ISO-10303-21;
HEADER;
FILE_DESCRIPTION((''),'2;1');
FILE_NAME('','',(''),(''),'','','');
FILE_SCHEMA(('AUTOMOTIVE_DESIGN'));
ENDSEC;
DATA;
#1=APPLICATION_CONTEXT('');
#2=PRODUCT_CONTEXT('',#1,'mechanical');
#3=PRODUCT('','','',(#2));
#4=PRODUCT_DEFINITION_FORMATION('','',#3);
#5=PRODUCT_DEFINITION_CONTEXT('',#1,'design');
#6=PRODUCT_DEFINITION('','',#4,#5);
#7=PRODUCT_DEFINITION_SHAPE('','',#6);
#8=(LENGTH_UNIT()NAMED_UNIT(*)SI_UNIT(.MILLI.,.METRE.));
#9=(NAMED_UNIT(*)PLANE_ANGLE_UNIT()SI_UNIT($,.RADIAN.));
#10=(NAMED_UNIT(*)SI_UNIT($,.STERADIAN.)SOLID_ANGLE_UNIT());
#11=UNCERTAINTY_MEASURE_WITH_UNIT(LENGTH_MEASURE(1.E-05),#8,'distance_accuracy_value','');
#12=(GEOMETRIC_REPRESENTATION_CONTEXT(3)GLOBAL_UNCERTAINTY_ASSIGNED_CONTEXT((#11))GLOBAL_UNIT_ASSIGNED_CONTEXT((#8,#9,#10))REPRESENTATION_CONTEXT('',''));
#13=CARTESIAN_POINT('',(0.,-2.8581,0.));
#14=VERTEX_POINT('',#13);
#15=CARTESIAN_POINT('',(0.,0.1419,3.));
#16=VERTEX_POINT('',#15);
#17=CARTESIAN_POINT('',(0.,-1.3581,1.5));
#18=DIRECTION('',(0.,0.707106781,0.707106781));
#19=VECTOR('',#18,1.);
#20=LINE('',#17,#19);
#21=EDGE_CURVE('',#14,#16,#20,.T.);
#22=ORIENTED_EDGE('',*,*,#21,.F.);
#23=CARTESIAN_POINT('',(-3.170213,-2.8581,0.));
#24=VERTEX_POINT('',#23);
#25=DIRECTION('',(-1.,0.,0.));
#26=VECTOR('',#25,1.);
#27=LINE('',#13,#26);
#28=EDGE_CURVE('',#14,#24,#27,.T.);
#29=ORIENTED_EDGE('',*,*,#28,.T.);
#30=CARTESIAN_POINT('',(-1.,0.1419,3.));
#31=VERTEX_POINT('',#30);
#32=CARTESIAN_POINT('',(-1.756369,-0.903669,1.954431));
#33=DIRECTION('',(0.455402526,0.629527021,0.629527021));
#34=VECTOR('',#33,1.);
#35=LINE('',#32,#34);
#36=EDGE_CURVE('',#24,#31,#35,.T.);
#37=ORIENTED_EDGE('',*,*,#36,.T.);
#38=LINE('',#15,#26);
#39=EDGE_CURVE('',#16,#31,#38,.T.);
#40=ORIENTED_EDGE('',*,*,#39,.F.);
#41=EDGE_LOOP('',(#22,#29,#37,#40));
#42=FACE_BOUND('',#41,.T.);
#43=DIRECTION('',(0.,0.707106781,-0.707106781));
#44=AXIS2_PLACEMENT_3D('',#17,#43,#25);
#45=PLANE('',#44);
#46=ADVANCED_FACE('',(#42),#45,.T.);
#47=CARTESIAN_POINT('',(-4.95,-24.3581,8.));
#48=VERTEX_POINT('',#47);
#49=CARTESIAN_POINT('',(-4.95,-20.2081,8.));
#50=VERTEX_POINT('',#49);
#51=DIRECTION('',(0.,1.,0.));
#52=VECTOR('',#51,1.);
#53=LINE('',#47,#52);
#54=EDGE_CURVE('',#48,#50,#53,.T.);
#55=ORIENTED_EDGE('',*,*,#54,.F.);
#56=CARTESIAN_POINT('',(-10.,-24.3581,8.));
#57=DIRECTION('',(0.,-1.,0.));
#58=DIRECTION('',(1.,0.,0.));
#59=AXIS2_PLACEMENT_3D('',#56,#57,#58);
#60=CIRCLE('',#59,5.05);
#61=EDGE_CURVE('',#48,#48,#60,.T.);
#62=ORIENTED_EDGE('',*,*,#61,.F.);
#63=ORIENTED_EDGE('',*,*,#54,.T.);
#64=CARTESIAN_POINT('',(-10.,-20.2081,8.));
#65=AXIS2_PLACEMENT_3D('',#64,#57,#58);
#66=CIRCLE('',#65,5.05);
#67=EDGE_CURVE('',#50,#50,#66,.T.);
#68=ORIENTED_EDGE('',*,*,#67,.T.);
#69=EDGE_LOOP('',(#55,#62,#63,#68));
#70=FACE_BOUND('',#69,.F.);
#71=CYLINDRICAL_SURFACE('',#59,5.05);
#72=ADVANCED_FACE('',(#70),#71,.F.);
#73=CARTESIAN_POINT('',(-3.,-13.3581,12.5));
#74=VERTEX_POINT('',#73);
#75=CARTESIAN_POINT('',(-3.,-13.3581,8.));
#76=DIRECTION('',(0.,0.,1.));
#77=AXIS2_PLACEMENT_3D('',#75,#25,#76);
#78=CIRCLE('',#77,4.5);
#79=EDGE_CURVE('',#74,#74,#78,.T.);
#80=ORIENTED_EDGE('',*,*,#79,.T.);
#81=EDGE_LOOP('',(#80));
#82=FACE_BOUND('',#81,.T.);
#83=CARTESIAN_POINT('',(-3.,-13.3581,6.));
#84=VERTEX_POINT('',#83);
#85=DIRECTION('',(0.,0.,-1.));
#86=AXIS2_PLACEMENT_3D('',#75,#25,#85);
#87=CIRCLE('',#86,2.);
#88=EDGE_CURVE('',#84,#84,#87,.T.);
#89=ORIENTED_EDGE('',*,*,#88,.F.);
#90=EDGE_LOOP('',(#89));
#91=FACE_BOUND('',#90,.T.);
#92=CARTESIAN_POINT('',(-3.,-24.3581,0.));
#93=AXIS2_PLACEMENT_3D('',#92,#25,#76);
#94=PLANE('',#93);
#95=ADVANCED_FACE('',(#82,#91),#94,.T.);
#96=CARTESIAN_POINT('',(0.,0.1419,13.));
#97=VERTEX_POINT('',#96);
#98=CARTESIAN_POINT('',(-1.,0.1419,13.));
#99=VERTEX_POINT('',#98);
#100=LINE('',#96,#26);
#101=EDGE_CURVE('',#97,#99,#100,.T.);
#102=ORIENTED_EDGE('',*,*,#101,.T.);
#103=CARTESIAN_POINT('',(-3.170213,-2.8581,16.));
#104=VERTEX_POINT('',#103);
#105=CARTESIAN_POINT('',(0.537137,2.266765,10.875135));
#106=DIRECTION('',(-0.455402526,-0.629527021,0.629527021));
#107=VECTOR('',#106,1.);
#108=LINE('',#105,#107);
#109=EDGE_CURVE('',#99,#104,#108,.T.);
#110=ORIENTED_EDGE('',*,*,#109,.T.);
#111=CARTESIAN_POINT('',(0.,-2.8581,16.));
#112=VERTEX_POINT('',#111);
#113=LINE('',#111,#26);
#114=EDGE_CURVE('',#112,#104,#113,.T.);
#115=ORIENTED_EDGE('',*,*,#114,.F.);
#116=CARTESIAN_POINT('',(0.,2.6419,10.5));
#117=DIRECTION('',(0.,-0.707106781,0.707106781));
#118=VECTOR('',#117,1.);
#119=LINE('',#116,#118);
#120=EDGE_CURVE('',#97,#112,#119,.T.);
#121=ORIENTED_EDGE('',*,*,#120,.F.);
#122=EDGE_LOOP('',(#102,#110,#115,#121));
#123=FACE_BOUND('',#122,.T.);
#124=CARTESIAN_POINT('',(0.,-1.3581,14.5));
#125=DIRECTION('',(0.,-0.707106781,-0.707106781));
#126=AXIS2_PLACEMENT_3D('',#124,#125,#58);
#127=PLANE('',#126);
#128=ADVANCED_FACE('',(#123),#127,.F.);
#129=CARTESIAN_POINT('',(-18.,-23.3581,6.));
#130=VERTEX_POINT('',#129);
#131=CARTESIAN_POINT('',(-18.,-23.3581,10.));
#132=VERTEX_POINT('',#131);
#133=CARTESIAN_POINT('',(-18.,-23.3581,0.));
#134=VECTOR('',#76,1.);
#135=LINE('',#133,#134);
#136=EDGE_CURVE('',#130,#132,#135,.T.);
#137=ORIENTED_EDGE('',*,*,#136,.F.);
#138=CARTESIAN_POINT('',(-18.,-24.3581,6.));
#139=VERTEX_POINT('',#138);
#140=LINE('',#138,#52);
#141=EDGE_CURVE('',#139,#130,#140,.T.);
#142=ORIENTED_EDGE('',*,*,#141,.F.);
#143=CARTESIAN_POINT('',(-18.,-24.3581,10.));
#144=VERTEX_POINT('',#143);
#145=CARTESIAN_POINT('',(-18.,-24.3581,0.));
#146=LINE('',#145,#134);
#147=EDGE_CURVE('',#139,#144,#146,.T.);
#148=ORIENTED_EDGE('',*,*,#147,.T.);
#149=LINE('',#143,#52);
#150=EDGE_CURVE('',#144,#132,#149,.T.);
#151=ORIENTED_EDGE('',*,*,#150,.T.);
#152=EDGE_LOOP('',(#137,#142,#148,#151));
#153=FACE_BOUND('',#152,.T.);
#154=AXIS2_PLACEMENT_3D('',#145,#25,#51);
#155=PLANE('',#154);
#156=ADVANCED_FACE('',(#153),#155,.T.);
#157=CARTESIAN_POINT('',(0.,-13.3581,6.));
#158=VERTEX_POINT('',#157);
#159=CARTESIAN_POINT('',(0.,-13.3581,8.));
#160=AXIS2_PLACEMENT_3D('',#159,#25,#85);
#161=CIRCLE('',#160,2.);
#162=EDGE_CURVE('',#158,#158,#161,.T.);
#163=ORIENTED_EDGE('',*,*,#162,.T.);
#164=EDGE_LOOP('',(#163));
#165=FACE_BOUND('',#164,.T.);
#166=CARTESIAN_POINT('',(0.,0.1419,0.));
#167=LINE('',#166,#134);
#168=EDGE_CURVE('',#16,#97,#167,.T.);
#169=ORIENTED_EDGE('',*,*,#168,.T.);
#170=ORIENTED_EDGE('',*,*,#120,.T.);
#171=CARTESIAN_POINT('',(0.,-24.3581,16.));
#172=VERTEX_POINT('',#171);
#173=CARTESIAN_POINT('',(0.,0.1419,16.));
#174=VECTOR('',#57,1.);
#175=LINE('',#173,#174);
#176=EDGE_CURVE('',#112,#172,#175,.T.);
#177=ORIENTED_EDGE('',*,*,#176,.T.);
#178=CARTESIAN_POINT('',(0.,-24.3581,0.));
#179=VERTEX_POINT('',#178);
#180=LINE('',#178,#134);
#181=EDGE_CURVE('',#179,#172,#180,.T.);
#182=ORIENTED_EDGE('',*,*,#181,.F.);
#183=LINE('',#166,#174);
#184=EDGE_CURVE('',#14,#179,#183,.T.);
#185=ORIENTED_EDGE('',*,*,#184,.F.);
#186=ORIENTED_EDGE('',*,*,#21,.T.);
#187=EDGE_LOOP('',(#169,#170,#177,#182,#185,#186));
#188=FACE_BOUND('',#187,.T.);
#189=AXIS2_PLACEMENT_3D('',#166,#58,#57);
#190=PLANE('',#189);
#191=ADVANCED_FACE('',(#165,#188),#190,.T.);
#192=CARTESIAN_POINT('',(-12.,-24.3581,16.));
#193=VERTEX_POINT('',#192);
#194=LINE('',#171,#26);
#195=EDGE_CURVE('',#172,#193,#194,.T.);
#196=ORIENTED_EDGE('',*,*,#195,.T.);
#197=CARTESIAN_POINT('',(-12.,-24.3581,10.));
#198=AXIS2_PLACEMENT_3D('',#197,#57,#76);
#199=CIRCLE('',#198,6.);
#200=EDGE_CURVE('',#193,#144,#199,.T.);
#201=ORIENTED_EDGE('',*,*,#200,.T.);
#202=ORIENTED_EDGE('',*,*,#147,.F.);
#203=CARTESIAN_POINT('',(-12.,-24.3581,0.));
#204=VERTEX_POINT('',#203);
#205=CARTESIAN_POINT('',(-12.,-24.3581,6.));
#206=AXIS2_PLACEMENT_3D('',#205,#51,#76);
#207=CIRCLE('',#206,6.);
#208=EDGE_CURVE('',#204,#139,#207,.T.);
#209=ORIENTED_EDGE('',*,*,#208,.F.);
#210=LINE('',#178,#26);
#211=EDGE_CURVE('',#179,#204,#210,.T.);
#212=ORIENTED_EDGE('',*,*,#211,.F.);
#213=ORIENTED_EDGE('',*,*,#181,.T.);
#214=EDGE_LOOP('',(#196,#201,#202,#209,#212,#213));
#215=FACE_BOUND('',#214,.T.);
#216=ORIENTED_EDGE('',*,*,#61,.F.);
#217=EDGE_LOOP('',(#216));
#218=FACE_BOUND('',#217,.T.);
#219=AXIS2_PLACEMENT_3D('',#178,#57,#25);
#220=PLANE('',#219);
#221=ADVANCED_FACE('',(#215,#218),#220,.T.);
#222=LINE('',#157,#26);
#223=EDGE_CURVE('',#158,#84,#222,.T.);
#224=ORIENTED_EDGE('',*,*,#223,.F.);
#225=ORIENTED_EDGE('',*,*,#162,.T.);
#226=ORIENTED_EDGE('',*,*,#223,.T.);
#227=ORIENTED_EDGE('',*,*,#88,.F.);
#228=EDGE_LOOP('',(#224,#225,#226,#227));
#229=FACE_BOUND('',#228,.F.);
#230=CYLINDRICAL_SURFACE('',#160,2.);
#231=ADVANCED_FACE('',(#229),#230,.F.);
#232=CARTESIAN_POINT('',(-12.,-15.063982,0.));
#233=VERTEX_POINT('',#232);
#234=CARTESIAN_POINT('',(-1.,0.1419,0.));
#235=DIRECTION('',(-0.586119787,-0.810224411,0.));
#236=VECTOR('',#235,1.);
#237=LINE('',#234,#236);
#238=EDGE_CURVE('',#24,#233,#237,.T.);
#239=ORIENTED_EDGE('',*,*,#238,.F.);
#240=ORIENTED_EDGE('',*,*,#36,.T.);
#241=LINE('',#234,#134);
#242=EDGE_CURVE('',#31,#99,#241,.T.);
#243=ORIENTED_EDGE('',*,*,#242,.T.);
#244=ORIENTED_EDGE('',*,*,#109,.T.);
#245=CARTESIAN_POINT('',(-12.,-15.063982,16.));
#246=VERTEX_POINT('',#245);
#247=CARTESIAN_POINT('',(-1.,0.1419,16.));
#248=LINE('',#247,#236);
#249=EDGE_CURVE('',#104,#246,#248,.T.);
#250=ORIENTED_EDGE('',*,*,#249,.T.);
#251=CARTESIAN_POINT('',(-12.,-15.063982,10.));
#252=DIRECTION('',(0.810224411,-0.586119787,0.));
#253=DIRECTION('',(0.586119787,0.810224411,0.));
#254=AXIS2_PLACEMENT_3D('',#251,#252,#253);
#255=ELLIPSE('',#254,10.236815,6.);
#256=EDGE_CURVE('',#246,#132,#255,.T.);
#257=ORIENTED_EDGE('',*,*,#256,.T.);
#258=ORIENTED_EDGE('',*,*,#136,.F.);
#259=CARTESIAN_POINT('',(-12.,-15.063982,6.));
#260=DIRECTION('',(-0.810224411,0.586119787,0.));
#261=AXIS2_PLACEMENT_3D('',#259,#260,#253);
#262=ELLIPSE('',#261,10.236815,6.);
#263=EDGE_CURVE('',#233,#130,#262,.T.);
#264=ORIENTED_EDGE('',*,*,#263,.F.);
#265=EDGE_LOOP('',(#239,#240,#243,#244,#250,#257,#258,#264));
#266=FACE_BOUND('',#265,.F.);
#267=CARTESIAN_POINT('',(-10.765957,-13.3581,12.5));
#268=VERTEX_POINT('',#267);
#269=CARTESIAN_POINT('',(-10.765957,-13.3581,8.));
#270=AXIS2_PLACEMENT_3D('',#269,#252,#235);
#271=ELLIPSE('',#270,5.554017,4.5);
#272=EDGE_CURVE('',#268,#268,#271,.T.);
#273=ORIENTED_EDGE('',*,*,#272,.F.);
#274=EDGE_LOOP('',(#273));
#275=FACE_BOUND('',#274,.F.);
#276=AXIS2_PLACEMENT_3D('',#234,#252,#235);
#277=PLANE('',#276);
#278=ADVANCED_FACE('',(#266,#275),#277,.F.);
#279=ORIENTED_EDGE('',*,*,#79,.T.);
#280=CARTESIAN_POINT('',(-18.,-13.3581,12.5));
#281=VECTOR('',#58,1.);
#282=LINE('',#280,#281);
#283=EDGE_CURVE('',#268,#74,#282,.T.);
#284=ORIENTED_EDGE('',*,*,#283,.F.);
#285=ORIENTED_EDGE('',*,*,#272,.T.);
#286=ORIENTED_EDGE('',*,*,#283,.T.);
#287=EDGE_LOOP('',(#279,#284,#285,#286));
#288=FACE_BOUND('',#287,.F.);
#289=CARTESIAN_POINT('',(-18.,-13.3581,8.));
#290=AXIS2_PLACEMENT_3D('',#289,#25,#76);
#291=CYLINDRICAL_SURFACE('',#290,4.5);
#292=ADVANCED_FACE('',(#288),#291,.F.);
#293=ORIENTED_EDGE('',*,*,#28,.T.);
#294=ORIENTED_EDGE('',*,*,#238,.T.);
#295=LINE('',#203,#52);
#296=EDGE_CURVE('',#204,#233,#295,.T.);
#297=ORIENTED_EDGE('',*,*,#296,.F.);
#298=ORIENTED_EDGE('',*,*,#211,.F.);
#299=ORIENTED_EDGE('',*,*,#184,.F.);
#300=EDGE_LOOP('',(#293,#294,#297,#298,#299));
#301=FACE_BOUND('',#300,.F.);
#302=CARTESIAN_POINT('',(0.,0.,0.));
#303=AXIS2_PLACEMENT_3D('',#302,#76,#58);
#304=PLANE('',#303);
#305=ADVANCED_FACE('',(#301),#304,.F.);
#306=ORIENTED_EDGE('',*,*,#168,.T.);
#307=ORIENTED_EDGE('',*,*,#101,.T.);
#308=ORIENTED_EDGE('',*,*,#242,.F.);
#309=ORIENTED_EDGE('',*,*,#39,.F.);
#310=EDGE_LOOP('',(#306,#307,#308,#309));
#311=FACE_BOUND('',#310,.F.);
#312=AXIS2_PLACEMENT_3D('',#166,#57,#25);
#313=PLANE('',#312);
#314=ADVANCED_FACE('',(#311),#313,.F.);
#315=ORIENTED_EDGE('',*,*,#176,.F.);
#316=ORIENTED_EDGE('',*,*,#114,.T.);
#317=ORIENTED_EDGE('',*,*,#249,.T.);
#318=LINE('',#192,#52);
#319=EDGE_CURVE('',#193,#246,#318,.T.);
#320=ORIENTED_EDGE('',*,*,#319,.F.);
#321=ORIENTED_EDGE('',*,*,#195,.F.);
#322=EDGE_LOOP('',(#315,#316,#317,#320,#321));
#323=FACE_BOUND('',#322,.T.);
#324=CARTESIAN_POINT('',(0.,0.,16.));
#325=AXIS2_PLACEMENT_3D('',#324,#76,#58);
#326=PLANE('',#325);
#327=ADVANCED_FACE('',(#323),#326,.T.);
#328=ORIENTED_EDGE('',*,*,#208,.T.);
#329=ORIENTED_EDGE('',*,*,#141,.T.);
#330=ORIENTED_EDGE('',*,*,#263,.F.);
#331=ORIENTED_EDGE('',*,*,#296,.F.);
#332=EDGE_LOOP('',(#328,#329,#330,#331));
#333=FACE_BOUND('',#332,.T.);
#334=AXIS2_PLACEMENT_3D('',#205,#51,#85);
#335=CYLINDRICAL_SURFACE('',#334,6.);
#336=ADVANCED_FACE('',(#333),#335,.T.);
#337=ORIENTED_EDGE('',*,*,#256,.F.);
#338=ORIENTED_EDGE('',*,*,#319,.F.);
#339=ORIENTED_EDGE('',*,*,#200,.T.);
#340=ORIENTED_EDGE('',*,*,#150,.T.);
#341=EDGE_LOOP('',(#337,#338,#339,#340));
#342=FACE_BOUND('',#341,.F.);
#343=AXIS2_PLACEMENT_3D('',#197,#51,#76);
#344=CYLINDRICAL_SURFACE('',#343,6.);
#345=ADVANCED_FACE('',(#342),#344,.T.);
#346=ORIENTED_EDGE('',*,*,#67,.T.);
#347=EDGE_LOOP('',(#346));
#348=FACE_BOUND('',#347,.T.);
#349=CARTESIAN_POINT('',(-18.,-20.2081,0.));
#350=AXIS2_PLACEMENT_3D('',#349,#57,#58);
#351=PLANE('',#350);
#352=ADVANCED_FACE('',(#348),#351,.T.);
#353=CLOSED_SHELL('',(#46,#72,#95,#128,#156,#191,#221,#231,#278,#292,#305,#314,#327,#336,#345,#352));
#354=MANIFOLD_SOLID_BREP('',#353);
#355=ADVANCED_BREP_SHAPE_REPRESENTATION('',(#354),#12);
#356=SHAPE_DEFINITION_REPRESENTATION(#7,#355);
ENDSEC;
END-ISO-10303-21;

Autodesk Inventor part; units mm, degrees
ref_plane "YZ Plane" through (0, 0, 0) normal (1, 0, 0) x (0, 1, 0)
ref_plane "XZ Plane" through (0, 0, 0) normal (0, 1, 0) x (-1, 0, 0)
ref_plane "XY Plane" through (0, 0, 0) normal (0, 0, 1) x (1, 0, 0)
sketch "Szkic1" plane through (0, 0, 0) normal (0, 0, 1) x (1, 0, 0)
  line L0 (0, 0.1419) -> (0, -24.3581)
  line L1 (0, -24.3581) -> (-18, -24.3581)
  line L2 (-18, -24.3581) -> (-18, -23.3581)
  line L3 (0, 0.1419) -> (-1, 0.1419)
  line L4 (-1, 0.1419) -> (-18, -23.3581)
  point P0 (0, 0)
  dimension "d0" = 24.5
  dimension "d1" = 18
  dimension "d2" = 1
  dimension "d3" = 1
extrude "Wyciągnięcie proste1" add sketch "Szkic1" along normal blind 16
sketch "Szkic2" plane through (0, -24.3581, 0) normal (1, 0, 0) x (0, 0, -1)
  line L0 (0, 24.5) -> (0, 0) projected
  line L1 (0, 24.5) -> (-16, 24.5) projected
  line L2 (-16, 0) -> (-16, 24.5) projected
  line L3 (0, 0) -> (-16, 0) projected
  point P0 (0, 24.3581)
  point P1 (-8, 11)
  dimension "d6" = 16
  dimension "d7" = 13.5
  dimension "d8" = 8
hole "Otwór1" at (0, -13.3581, 8) direction (-1, 0, 0) diameter 4 end through all
sketch "Szkic3" plane through (-18, -24.3581, 0) normal (0, -1, 0) x (1, 0, 0)
  line L0 (18, 0) -> (0, 0) projected
  line L1 (18, 0) -> (18, 16) projected
  line L2 (0, 16) -> (18, 16) projected
  line L3 (0, 0) -> (0, 16) projected
  circle A0 centre (8, 8) radius 5.05
  dimension "d16" = 10.1
  dimension "d17" = 10
  dimension "d18" = 16
  dimension "d19" = 8
extrude "Wyciągnięcie proste2" cut sketch "Szkic3" against normal blind 4.15 contours A0
sketch "Szkic4" plane through (-18, -24.3581, 0) normal (-1, 0, 0) x (0, 0, 1)
  circle A0 centre (8, 11) radius 2 projected
  circle A1 centre (8, 11) radius 4.5
  point P0 (0, 24.3581)
  dimension "d22" = 9
extrude "Wyciągnięcie proste3" cut sketch "Szkic4" against normal blind 15
fillet "Zaokrąglenie1" radius 6 2 edges at (-18, -23.8581, 16) (-18, -23.8581, 0)
chamfer "Faza1" distance 3 angle 45 2 edges at (-0.5, 0.1419, 16) (-0.5, 0.1419, 0)
equation "\"d8\" = 0.5 * d6"
equation "\"d19\" = 0.5 * d18"
properties part number "3DP_ABS_Front_Door_Frame_Magnet_Mount"
